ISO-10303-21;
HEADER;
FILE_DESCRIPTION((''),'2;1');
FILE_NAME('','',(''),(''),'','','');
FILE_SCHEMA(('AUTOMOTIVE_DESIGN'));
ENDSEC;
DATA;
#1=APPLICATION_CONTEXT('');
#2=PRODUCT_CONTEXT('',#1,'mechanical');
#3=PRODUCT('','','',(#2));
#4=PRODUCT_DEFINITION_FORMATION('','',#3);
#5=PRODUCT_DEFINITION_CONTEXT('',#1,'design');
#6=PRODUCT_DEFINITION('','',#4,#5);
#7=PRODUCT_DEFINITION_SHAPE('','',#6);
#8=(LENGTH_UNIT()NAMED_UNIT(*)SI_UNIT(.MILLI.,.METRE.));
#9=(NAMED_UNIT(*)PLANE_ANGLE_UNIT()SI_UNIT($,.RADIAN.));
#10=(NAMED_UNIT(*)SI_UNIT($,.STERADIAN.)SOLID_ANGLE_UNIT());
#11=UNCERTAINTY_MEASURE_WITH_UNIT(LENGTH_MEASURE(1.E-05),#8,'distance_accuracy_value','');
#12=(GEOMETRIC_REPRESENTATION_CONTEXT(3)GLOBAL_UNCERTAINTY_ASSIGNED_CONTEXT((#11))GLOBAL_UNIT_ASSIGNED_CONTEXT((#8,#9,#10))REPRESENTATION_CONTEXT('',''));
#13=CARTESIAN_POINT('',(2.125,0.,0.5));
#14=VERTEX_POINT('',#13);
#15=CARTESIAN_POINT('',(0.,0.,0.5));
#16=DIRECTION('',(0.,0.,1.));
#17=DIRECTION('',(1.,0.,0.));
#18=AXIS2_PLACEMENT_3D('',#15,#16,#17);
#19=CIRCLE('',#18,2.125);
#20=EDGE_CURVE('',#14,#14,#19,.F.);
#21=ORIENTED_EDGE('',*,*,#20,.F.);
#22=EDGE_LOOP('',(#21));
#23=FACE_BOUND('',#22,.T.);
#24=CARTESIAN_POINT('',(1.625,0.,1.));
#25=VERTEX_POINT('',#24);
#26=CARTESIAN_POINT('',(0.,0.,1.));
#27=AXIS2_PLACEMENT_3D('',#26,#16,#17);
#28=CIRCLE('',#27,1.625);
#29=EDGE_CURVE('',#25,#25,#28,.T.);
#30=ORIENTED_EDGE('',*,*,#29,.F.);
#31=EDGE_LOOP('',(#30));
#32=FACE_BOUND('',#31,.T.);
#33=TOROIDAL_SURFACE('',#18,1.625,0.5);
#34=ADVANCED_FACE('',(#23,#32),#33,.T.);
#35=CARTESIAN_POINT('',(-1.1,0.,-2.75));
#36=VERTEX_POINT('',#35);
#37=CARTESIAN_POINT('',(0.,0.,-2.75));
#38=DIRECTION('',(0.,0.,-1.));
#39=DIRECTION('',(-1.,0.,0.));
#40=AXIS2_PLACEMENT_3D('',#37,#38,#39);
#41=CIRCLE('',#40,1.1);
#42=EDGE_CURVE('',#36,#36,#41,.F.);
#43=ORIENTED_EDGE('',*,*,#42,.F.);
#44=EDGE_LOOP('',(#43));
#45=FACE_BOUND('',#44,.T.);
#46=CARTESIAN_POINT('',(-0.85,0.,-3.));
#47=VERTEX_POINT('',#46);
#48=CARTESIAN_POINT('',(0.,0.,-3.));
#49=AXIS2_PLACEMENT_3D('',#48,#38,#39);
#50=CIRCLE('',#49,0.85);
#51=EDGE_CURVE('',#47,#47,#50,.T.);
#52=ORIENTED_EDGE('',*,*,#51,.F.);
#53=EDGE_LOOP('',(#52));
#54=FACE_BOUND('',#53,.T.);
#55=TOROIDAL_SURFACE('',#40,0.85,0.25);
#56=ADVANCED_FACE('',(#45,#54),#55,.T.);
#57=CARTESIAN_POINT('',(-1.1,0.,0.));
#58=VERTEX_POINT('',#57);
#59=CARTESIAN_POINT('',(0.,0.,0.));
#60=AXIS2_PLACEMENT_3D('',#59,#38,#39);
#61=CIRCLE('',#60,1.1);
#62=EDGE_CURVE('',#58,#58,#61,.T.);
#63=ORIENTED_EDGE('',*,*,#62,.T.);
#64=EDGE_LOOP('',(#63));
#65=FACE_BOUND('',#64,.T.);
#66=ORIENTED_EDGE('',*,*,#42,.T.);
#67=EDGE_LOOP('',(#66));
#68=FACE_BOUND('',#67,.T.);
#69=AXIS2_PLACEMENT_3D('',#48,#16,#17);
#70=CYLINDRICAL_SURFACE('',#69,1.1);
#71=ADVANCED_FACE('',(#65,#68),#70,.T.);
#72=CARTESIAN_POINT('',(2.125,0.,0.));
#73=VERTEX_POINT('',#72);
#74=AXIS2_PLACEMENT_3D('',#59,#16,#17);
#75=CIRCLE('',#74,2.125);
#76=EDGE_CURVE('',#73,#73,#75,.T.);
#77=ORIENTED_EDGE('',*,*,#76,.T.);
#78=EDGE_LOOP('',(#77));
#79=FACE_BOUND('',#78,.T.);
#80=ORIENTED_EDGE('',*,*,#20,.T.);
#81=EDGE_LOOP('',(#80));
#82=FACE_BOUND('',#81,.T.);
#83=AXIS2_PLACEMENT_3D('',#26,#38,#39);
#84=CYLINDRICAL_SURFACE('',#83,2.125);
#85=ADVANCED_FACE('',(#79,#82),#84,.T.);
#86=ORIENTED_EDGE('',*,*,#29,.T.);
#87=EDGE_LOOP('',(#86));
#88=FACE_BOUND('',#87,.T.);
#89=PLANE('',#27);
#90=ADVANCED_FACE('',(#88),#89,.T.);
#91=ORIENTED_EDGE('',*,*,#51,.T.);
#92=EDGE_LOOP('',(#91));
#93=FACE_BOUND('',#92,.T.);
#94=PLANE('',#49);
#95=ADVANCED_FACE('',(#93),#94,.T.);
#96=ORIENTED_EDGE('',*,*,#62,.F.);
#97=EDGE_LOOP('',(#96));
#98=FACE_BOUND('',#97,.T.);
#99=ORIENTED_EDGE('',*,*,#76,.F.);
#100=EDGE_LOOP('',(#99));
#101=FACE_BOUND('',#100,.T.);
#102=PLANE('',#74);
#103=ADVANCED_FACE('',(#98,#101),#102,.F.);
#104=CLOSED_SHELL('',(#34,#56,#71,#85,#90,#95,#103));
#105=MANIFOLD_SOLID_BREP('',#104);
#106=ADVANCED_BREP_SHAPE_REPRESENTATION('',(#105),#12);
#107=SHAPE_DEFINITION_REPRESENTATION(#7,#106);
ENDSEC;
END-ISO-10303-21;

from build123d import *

# Parameters (mm, degrees)
ESQUISSE1_R        = 2.125
BOSS_EXTRU_1_DEPTH = 1
ESQUISSE2_R        = 1.1
BOSS_EXTRU_2_DEPTH = 3
CONG_2_R           = 0.5
CONG_3_R           = 0.25


with BuildPart() as part:
    # Esquisse1 → Boss.-Extru.1 (new body)
    with BuildSketch(Plane.XY):
        Circle(ESQUISSE1_R)
    extrude(amount=BOSS_EXTRU_1_DEPTH)

    # Esquisse2 → Boss.-Extru.2 (add)
    with BuildSketch(Plane(origin=(0, 0, 0), x_dir=(-1, 0, 0), z_dir=(0, 0, -1))):
        Circle(ESQUISSE2_R)
    extrude(amount=BOSS_EXTRU_2_DEPTH)

    # Congé2
    cong_2_edges = [part.edges().sort_by_distance(p)[0] for p in [
        (-2.125, 0, 1),
    ]]
    fillet(cong_2_edges, radius=CONG_2_R)

    # Congé3
    cong_3_edges = [part.edges().sort_by_distance(p)[0] for p in [
        (1.1, 0, -3),
    ]]
    fillet(cong_3_edges, radius=CONG_3_R)


solid = part.part
